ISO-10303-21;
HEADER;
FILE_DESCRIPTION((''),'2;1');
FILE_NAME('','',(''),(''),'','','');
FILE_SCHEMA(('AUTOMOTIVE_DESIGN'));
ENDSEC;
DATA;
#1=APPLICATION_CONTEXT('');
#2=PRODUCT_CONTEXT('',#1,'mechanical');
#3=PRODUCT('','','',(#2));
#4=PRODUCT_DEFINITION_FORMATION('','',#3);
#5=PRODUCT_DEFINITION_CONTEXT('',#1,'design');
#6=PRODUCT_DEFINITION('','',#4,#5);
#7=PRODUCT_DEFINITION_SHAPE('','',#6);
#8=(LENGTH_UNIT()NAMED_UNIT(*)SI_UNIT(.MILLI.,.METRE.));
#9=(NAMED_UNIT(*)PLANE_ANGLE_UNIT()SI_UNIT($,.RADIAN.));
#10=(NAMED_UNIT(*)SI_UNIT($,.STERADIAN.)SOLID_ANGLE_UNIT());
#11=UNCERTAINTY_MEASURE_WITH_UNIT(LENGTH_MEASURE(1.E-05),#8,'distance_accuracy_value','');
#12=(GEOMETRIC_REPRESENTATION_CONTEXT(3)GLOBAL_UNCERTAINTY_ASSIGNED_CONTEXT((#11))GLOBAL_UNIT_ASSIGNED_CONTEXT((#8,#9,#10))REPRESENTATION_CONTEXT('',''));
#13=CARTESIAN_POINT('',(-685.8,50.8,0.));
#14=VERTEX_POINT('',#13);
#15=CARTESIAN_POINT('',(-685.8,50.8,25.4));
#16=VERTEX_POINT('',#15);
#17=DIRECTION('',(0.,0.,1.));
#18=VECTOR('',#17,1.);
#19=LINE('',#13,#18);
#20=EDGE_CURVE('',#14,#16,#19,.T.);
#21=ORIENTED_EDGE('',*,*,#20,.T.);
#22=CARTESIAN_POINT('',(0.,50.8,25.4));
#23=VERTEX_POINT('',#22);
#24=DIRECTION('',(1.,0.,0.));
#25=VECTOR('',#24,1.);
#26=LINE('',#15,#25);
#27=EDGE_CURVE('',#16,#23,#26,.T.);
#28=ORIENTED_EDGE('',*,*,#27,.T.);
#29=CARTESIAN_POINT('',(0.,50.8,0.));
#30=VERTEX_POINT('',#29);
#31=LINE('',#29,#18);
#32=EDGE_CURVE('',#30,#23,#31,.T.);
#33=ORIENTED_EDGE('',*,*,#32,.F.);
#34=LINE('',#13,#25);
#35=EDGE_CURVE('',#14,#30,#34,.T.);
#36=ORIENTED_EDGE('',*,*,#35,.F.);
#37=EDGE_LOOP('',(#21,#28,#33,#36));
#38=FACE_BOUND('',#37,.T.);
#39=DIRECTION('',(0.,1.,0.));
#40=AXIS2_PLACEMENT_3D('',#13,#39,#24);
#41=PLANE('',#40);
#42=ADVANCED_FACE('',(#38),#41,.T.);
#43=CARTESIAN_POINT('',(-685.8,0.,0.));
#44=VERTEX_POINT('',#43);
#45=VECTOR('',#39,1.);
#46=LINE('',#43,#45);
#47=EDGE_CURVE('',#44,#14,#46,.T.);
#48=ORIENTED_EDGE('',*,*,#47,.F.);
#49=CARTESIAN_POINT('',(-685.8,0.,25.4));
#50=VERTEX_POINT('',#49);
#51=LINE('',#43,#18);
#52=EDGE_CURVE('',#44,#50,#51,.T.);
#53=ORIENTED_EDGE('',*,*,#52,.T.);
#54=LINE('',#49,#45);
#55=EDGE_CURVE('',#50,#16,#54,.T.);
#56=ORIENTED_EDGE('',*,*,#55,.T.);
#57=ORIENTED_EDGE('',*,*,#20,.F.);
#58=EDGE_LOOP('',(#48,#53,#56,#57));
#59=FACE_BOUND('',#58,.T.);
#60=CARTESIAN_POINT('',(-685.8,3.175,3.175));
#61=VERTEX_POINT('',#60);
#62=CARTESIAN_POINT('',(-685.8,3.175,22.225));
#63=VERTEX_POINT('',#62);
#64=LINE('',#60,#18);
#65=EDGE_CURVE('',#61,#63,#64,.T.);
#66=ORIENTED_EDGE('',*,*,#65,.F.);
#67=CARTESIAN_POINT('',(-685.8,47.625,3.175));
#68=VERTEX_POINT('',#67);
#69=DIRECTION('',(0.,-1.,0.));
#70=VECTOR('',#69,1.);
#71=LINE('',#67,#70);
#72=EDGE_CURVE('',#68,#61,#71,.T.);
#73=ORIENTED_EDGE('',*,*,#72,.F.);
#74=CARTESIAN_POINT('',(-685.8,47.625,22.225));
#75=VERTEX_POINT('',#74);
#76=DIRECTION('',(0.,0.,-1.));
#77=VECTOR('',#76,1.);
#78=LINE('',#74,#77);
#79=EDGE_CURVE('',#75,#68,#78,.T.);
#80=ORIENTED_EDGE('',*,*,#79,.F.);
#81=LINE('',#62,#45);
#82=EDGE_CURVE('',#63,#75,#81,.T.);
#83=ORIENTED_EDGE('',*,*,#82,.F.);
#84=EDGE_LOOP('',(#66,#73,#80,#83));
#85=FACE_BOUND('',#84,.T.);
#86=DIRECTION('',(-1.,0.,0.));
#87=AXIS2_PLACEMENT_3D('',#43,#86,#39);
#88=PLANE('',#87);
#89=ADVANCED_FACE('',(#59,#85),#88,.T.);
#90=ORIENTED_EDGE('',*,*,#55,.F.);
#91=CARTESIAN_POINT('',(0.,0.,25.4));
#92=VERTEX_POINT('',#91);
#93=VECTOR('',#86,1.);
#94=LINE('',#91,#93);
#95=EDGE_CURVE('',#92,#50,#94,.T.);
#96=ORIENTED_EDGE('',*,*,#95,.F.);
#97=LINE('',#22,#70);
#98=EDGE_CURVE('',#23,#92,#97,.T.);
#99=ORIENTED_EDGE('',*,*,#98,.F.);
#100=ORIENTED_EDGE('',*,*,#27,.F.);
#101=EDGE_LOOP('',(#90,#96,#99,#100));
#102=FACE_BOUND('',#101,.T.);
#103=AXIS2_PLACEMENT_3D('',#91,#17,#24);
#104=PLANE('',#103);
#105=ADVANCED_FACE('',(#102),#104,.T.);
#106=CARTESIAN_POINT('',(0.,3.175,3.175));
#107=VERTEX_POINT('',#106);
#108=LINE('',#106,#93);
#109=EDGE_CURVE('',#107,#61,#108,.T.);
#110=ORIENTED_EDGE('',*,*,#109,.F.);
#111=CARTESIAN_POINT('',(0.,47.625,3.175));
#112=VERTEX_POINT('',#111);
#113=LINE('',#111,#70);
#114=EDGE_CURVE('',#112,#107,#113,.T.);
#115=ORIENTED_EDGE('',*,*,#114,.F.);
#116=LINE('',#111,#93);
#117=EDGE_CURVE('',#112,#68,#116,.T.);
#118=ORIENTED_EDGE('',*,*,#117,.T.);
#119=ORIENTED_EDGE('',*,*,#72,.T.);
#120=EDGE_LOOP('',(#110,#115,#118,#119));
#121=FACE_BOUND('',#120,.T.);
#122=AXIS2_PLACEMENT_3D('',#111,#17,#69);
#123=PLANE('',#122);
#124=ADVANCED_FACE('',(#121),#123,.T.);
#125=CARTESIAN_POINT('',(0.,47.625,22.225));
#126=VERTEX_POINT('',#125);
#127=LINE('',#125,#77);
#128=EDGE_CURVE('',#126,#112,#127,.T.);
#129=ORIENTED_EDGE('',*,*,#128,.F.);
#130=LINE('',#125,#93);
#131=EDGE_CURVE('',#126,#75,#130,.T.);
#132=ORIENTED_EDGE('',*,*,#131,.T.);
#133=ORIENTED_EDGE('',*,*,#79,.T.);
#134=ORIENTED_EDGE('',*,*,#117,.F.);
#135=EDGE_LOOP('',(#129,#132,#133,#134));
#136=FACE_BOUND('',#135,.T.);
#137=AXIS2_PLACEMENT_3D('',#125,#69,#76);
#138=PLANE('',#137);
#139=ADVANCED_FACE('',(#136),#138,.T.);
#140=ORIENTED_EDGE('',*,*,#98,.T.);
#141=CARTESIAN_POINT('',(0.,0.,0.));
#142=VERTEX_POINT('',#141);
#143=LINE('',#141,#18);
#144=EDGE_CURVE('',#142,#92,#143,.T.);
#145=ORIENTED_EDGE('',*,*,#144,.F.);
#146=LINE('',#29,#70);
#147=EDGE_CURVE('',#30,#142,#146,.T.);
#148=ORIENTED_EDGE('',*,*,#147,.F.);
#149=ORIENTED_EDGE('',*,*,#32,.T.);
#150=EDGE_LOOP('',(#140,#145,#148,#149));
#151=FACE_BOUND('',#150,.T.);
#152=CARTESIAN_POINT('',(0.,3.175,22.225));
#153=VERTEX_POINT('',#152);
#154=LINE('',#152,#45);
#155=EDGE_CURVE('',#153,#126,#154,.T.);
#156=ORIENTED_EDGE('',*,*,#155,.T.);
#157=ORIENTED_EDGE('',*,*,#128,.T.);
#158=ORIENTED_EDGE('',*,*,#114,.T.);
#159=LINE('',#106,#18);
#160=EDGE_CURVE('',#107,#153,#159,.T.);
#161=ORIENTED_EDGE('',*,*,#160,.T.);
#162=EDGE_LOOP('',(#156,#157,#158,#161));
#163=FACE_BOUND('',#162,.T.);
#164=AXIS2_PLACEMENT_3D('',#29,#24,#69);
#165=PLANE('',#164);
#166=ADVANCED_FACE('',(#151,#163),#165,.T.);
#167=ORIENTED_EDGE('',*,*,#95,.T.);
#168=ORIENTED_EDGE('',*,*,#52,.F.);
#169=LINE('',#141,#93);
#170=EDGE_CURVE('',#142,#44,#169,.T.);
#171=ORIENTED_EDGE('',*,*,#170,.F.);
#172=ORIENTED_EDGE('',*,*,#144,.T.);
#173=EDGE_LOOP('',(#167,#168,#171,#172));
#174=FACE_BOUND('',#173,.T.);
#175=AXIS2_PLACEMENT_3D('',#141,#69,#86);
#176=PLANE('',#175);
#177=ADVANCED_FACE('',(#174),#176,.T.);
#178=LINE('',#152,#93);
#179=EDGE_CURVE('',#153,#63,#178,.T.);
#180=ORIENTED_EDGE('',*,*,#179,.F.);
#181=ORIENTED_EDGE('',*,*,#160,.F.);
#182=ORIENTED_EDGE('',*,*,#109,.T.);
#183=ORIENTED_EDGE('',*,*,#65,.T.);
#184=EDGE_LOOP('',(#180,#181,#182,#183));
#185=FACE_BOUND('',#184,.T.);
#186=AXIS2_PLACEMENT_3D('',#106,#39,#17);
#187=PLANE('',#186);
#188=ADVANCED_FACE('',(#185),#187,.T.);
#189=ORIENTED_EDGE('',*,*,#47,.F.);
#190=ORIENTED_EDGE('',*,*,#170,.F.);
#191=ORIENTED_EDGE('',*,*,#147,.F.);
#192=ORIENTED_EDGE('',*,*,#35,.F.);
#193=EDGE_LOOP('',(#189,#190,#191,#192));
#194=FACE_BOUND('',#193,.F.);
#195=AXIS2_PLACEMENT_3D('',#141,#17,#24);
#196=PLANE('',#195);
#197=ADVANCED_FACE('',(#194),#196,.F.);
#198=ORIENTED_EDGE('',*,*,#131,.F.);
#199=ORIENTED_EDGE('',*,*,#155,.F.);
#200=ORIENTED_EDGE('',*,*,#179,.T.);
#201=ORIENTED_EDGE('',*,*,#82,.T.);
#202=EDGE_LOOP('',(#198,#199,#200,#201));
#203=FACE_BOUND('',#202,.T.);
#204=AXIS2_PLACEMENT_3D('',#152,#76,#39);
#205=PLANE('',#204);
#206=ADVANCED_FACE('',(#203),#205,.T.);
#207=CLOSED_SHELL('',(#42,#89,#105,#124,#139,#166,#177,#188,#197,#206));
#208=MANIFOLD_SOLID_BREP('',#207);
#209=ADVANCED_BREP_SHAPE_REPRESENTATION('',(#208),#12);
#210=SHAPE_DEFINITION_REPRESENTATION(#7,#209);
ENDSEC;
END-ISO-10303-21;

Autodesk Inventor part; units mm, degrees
ref_plane "YZ Plane" through (0, 0, 0) normal (1, 0, 0) x (0, 1, 0)
ref_plane "XZ Plane" through (0, 0, 0) normal (0, 1, 0) x (-1, 0, 0)
ref_plane "XY Plane" through (0, 0, 0) normal (0, 0, 1) x (1, 0, 0)
sketch "Sketch1" plane through (0, 0, 0) normal (0, 0, 1) x (1, 0, 0)
  line L0 (0, 0) -> (-685.8, 0)
  line L1 (-685.8, 0) -> (-685.8, 50.8)
  line L2 (-685.8, 50.8) -> (0, 50.8)
  line L3 (0, 50.8) -> (0, 0)
  dimension "d0" = 50.8
  dimension "d1" = 685.8
extrude "Extrusion1" add sketch "Sketch1" along normal blind 25.4
sketch "Sketch2" plane through (0, 0, 0) normal (1, 0, 0) x (0, 0, -1)
  line L0 (-22.225, 47.625) -> (-3.175, 47.625)
  line L1 (-3.175, 47.625) -> (-3.175, 3.175)
  line L2 (-3.175, 3.175) -> (-22.225, 3.175)
  line L3 (-22.225, 3.175) -> (-22.225, 47.625)
  line L4 (0, 50.8) -> (0, 0) projected
  line L5 (0, 50.8) -> (-25.4, 50.8) projected
  line L6 (-25.4, 50.8) -> (-25.4, 0)
  line L7 (-25.4, 0) -> (0, 0)
  dimension "d5" = 3.175
  dimension "d6" = 3.175
  dimension "d7" = 3.175
  dimension "d8" = 3.175
extrude "Extrusion2" cut sketch "Sketch2" against normal blind 685.8 contours L0 L1 L2 L3
